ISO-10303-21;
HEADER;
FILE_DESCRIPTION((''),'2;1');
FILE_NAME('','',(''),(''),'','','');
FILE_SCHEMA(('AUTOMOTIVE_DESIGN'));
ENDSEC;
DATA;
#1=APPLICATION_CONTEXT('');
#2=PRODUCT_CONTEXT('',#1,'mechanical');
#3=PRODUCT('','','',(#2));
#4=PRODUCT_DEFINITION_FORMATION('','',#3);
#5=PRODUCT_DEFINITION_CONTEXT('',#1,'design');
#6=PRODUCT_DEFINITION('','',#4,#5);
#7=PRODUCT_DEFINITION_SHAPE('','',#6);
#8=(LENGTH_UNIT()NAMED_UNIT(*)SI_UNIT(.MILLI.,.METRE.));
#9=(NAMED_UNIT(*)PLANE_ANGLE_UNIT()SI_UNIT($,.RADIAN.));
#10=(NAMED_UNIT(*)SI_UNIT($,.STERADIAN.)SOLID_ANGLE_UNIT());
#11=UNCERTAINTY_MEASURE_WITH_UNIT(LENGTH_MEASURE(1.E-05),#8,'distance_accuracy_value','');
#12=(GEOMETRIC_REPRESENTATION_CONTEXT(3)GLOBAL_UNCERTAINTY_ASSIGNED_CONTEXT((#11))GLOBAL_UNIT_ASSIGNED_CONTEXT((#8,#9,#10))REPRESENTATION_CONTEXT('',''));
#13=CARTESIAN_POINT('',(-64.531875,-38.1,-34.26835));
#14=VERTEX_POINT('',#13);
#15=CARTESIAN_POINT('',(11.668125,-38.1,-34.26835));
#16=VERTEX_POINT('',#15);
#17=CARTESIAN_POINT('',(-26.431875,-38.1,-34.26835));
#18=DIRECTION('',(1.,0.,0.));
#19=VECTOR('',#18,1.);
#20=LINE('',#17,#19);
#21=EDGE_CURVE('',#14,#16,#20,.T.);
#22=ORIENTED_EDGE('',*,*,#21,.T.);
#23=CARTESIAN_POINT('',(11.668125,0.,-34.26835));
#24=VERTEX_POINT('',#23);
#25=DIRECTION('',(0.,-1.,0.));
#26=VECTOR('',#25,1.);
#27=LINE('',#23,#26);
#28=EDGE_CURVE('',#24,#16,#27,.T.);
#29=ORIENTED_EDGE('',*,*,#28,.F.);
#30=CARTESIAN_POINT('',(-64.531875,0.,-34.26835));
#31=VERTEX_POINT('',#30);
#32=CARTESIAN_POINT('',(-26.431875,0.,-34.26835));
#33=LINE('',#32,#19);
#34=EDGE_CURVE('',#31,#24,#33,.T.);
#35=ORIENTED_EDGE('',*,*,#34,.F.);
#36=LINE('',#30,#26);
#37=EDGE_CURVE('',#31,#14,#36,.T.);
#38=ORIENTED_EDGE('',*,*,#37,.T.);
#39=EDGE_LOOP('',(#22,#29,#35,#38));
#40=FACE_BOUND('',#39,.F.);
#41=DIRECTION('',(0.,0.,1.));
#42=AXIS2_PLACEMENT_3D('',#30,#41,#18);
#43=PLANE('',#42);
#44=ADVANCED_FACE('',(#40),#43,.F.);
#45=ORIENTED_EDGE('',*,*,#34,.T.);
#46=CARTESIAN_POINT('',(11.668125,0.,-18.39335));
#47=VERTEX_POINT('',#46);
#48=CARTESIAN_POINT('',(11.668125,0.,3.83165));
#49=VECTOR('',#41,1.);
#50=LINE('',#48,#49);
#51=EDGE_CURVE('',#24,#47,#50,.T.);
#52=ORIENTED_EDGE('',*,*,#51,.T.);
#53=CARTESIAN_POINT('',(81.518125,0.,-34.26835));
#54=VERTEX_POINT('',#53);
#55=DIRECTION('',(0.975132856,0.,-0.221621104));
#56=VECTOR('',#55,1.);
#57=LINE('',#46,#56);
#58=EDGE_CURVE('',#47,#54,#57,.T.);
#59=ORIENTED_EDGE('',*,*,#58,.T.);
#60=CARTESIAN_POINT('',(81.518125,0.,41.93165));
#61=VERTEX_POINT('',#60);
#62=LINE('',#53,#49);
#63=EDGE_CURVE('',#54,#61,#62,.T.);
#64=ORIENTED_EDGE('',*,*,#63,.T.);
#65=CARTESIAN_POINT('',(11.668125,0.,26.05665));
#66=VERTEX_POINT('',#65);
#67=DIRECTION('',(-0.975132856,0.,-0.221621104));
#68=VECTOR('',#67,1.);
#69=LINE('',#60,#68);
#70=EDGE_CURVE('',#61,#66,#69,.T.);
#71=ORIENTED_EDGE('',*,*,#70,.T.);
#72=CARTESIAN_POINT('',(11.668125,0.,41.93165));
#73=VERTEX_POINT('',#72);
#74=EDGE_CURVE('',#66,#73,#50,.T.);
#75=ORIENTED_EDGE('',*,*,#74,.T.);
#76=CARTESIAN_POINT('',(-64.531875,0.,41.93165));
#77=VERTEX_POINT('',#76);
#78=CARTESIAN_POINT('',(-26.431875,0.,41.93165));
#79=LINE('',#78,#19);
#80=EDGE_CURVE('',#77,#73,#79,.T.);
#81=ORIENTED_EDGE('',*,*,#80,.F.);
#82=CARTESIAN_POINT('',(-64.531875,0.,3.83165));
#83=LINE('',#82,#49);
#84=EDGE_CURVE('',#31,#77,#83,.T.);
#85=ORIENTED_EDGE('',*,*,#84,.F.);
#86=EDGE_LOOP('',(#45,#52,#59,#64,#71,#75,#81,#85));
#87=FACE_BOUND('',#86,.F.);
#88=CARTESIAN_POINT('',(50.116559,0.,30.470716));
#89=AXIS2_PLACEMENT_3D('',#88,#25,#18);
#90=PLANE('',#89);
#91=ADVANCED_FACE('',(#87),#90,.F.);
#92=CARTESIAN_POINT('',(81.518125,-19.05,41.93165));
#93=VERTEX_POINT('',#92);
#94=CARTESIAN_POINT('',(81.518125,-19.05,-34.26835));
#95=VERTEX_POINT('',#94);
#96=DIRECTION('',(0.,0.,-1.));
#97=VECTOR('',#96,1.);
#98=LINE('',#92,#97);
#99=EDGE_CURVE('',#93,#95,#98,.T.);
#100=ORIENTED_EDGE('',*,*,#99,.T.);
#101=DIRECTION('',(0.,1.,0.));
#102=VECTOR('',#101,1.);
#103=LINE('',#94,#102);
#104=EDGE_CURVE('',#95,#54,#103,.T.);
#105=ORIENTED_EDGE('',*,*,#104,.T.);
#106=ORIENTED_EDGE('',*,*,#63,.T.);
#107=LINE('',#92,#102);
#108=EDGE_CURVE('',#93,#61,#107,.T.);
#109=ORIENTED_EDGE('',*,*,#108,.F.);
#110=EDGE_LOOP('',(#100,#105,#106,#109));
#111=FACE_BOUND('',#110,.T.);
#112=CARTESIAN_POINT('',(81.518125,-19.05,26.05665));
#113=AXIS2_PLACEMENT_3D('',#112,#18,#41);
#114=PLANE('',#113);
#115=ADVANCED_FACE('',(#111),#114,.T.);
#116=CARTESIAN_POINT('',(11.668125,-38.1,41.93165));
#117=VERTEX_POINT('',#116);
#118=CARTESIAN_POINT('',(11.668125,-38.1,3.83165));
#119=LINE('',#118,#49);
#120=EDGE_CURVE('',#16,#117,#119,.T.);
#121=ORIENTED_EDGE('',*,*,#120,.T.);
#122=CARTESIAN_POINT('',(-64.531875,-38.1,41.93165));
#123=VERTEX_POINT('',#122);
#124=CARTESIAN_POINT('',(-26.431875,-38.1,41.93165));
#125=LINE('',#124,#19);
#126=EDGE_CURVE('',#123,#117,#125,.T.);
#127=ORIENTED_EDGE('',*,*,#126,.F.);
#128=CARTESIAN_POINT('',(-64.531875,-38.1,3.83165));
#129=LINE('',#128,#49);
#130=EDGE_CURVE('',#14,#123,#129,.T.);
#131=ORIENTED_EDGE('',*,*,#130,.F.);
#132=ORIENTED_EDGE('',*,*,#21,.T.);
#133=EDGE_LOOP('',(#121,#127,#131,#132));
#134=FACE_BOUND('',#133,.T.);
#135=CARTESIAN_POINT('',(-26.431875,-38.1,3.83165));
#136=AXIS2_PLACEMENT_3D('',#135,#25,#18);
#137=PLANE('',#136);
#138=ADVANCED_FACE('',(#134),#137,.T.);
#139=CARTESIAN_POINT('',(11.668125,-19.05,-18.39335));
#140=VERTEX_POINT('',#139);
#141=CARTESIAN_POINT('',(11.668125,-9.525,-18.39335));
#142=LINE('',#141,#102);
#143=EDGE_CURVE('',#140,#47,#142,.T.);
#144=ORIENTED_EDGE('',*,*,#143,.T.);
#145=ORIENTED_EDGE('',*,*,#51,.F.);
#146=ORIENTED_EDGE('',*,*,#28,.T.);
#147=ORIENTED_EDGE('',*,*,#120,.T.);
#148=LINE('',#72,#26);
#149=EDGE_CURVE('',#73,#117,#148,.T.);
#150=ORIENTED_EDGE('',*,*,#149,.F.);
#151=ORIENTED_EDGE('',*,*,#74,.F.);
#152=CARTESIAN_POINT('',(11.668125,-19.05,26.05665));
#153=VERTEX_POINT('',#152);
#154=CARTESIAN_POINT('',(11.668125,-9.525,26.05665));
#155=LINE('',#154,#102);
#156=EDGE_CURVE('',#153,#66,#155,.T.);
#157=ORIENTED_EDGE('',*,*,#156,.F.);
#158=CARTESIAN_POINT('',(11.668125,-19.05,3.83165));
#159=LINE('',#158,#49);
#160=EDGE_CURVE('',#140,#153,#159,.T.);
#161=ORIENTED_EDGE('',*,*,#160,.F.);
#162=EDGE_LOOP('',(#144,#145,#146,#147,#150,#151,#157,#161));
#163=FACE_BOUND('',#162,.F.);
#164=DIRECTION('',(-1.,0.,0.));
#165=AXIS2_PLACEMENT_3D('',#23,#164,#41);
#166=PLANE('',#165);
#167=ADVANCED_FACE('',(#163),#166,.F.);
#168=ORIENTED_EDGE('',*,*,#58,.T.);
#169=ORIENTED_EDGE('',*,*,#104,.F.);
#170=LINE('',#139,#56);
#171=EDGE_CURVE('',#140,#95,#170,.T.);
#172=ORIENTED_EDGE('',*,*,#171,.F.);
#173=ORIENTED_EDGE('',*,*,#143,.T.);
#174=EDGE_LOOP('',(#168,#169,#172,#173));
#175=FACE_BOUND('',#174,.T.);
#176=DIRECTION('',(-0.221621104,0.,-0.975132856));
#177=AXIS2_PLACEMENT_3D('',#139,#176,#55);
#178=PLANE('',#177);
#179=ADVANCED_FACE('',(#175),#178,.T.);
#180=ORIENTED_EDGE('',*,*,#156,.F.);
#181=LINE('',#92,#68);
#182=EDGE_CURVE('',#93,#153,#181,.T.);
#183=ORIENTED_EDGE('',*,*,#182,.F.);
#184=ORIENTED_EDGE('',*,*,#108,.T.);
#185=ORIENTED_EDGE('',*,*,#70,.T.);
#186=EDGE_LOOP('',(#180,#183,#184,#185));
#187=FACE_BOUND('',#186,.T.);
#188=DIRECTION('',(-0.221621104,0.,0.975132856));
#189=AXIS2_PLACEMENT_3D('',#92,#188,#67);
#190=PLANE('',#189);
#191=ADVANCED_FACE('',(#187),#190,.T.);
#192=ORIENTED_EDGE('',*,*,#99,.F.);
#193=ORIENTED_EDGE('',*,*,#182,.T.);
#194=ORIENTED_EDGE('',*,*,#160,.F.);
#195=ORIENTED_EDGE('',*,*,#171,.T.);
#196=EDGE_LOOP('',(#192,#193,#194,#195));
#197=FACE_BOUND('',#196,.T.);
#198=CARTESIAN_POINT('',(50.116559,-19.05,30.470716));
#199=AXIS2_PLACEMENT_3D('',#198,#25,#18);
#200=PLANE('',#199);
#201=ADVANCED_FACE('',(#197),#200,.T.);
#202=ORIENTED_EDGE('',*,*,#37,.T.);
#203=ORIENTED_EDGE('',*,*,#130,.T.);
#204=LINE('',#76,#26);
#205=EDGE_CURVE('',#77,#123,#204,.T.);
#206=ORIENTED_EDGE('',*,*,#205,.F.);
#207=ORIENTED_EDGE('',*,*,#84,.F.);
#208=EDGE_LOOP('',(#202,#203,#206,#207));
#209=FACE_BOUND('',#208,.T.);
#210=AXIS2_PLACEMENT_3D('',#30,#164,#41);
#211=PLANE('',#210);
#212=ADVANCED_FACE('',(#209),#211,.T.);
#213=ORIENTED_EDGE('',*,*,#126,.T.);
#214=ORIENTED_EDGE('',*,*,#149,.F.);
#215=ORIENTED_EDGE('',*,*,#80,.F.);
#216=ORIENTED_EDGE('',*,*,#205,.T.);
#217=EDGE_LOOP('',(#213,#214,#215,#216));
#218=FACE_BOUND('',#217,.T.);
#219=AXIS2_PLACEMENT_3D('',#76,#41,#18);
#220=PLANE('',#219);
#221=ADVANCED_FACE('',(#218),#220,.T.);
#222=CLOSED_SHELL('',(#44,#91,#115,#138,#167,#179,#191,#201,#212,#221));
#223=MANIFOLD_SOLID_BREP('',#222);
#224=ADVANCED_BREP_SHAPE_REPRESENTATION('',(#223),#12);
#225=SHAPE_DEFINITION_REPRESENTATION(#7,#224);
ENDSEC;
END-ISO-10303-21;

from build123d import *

# Parameters (mm, degrees)
F0_W     = 76.2
F0_H     = 76.2
F1_DEPTH = 38.1
F2_W     = 19.05
F2_H     = 44.45
F3_DEPTH = 69.85
F5_DEPTH = 19.05


with BuildPart() as f1:
    # F0 (on Front) → F1 (new body)
    with BuildSketch(Plane.XZ):
        with Locations((-26.431875, 3.83165)):
            Rectangle(F0_W, F0_H)
    extrude(amount=F1_DEPTH)

    # F2 (on face) → F3 (join)
    with BuildSketch(Plane.YZ.offset(11.668125)):
        with Locations((-9.525, 3.83165)):
            Rectangle(F2_W, F2_H)
    extrude(amount=F3_DEPTH)

    # F4 (on face) → F5 (join)
    with BuildSketch(Plane.XZ.offset(19.05)):
        Polygon((81.518125, 41.93165), (11.668125, 26.05665), (81.518125, 26.05665), align=None)
        Polygon((81.518125, -18.39335), (11.668125, -18.39335), (81.518125, -34.26835), align=None)
    extrude(amount=-F5_DEPTH)


solid = f1.part
